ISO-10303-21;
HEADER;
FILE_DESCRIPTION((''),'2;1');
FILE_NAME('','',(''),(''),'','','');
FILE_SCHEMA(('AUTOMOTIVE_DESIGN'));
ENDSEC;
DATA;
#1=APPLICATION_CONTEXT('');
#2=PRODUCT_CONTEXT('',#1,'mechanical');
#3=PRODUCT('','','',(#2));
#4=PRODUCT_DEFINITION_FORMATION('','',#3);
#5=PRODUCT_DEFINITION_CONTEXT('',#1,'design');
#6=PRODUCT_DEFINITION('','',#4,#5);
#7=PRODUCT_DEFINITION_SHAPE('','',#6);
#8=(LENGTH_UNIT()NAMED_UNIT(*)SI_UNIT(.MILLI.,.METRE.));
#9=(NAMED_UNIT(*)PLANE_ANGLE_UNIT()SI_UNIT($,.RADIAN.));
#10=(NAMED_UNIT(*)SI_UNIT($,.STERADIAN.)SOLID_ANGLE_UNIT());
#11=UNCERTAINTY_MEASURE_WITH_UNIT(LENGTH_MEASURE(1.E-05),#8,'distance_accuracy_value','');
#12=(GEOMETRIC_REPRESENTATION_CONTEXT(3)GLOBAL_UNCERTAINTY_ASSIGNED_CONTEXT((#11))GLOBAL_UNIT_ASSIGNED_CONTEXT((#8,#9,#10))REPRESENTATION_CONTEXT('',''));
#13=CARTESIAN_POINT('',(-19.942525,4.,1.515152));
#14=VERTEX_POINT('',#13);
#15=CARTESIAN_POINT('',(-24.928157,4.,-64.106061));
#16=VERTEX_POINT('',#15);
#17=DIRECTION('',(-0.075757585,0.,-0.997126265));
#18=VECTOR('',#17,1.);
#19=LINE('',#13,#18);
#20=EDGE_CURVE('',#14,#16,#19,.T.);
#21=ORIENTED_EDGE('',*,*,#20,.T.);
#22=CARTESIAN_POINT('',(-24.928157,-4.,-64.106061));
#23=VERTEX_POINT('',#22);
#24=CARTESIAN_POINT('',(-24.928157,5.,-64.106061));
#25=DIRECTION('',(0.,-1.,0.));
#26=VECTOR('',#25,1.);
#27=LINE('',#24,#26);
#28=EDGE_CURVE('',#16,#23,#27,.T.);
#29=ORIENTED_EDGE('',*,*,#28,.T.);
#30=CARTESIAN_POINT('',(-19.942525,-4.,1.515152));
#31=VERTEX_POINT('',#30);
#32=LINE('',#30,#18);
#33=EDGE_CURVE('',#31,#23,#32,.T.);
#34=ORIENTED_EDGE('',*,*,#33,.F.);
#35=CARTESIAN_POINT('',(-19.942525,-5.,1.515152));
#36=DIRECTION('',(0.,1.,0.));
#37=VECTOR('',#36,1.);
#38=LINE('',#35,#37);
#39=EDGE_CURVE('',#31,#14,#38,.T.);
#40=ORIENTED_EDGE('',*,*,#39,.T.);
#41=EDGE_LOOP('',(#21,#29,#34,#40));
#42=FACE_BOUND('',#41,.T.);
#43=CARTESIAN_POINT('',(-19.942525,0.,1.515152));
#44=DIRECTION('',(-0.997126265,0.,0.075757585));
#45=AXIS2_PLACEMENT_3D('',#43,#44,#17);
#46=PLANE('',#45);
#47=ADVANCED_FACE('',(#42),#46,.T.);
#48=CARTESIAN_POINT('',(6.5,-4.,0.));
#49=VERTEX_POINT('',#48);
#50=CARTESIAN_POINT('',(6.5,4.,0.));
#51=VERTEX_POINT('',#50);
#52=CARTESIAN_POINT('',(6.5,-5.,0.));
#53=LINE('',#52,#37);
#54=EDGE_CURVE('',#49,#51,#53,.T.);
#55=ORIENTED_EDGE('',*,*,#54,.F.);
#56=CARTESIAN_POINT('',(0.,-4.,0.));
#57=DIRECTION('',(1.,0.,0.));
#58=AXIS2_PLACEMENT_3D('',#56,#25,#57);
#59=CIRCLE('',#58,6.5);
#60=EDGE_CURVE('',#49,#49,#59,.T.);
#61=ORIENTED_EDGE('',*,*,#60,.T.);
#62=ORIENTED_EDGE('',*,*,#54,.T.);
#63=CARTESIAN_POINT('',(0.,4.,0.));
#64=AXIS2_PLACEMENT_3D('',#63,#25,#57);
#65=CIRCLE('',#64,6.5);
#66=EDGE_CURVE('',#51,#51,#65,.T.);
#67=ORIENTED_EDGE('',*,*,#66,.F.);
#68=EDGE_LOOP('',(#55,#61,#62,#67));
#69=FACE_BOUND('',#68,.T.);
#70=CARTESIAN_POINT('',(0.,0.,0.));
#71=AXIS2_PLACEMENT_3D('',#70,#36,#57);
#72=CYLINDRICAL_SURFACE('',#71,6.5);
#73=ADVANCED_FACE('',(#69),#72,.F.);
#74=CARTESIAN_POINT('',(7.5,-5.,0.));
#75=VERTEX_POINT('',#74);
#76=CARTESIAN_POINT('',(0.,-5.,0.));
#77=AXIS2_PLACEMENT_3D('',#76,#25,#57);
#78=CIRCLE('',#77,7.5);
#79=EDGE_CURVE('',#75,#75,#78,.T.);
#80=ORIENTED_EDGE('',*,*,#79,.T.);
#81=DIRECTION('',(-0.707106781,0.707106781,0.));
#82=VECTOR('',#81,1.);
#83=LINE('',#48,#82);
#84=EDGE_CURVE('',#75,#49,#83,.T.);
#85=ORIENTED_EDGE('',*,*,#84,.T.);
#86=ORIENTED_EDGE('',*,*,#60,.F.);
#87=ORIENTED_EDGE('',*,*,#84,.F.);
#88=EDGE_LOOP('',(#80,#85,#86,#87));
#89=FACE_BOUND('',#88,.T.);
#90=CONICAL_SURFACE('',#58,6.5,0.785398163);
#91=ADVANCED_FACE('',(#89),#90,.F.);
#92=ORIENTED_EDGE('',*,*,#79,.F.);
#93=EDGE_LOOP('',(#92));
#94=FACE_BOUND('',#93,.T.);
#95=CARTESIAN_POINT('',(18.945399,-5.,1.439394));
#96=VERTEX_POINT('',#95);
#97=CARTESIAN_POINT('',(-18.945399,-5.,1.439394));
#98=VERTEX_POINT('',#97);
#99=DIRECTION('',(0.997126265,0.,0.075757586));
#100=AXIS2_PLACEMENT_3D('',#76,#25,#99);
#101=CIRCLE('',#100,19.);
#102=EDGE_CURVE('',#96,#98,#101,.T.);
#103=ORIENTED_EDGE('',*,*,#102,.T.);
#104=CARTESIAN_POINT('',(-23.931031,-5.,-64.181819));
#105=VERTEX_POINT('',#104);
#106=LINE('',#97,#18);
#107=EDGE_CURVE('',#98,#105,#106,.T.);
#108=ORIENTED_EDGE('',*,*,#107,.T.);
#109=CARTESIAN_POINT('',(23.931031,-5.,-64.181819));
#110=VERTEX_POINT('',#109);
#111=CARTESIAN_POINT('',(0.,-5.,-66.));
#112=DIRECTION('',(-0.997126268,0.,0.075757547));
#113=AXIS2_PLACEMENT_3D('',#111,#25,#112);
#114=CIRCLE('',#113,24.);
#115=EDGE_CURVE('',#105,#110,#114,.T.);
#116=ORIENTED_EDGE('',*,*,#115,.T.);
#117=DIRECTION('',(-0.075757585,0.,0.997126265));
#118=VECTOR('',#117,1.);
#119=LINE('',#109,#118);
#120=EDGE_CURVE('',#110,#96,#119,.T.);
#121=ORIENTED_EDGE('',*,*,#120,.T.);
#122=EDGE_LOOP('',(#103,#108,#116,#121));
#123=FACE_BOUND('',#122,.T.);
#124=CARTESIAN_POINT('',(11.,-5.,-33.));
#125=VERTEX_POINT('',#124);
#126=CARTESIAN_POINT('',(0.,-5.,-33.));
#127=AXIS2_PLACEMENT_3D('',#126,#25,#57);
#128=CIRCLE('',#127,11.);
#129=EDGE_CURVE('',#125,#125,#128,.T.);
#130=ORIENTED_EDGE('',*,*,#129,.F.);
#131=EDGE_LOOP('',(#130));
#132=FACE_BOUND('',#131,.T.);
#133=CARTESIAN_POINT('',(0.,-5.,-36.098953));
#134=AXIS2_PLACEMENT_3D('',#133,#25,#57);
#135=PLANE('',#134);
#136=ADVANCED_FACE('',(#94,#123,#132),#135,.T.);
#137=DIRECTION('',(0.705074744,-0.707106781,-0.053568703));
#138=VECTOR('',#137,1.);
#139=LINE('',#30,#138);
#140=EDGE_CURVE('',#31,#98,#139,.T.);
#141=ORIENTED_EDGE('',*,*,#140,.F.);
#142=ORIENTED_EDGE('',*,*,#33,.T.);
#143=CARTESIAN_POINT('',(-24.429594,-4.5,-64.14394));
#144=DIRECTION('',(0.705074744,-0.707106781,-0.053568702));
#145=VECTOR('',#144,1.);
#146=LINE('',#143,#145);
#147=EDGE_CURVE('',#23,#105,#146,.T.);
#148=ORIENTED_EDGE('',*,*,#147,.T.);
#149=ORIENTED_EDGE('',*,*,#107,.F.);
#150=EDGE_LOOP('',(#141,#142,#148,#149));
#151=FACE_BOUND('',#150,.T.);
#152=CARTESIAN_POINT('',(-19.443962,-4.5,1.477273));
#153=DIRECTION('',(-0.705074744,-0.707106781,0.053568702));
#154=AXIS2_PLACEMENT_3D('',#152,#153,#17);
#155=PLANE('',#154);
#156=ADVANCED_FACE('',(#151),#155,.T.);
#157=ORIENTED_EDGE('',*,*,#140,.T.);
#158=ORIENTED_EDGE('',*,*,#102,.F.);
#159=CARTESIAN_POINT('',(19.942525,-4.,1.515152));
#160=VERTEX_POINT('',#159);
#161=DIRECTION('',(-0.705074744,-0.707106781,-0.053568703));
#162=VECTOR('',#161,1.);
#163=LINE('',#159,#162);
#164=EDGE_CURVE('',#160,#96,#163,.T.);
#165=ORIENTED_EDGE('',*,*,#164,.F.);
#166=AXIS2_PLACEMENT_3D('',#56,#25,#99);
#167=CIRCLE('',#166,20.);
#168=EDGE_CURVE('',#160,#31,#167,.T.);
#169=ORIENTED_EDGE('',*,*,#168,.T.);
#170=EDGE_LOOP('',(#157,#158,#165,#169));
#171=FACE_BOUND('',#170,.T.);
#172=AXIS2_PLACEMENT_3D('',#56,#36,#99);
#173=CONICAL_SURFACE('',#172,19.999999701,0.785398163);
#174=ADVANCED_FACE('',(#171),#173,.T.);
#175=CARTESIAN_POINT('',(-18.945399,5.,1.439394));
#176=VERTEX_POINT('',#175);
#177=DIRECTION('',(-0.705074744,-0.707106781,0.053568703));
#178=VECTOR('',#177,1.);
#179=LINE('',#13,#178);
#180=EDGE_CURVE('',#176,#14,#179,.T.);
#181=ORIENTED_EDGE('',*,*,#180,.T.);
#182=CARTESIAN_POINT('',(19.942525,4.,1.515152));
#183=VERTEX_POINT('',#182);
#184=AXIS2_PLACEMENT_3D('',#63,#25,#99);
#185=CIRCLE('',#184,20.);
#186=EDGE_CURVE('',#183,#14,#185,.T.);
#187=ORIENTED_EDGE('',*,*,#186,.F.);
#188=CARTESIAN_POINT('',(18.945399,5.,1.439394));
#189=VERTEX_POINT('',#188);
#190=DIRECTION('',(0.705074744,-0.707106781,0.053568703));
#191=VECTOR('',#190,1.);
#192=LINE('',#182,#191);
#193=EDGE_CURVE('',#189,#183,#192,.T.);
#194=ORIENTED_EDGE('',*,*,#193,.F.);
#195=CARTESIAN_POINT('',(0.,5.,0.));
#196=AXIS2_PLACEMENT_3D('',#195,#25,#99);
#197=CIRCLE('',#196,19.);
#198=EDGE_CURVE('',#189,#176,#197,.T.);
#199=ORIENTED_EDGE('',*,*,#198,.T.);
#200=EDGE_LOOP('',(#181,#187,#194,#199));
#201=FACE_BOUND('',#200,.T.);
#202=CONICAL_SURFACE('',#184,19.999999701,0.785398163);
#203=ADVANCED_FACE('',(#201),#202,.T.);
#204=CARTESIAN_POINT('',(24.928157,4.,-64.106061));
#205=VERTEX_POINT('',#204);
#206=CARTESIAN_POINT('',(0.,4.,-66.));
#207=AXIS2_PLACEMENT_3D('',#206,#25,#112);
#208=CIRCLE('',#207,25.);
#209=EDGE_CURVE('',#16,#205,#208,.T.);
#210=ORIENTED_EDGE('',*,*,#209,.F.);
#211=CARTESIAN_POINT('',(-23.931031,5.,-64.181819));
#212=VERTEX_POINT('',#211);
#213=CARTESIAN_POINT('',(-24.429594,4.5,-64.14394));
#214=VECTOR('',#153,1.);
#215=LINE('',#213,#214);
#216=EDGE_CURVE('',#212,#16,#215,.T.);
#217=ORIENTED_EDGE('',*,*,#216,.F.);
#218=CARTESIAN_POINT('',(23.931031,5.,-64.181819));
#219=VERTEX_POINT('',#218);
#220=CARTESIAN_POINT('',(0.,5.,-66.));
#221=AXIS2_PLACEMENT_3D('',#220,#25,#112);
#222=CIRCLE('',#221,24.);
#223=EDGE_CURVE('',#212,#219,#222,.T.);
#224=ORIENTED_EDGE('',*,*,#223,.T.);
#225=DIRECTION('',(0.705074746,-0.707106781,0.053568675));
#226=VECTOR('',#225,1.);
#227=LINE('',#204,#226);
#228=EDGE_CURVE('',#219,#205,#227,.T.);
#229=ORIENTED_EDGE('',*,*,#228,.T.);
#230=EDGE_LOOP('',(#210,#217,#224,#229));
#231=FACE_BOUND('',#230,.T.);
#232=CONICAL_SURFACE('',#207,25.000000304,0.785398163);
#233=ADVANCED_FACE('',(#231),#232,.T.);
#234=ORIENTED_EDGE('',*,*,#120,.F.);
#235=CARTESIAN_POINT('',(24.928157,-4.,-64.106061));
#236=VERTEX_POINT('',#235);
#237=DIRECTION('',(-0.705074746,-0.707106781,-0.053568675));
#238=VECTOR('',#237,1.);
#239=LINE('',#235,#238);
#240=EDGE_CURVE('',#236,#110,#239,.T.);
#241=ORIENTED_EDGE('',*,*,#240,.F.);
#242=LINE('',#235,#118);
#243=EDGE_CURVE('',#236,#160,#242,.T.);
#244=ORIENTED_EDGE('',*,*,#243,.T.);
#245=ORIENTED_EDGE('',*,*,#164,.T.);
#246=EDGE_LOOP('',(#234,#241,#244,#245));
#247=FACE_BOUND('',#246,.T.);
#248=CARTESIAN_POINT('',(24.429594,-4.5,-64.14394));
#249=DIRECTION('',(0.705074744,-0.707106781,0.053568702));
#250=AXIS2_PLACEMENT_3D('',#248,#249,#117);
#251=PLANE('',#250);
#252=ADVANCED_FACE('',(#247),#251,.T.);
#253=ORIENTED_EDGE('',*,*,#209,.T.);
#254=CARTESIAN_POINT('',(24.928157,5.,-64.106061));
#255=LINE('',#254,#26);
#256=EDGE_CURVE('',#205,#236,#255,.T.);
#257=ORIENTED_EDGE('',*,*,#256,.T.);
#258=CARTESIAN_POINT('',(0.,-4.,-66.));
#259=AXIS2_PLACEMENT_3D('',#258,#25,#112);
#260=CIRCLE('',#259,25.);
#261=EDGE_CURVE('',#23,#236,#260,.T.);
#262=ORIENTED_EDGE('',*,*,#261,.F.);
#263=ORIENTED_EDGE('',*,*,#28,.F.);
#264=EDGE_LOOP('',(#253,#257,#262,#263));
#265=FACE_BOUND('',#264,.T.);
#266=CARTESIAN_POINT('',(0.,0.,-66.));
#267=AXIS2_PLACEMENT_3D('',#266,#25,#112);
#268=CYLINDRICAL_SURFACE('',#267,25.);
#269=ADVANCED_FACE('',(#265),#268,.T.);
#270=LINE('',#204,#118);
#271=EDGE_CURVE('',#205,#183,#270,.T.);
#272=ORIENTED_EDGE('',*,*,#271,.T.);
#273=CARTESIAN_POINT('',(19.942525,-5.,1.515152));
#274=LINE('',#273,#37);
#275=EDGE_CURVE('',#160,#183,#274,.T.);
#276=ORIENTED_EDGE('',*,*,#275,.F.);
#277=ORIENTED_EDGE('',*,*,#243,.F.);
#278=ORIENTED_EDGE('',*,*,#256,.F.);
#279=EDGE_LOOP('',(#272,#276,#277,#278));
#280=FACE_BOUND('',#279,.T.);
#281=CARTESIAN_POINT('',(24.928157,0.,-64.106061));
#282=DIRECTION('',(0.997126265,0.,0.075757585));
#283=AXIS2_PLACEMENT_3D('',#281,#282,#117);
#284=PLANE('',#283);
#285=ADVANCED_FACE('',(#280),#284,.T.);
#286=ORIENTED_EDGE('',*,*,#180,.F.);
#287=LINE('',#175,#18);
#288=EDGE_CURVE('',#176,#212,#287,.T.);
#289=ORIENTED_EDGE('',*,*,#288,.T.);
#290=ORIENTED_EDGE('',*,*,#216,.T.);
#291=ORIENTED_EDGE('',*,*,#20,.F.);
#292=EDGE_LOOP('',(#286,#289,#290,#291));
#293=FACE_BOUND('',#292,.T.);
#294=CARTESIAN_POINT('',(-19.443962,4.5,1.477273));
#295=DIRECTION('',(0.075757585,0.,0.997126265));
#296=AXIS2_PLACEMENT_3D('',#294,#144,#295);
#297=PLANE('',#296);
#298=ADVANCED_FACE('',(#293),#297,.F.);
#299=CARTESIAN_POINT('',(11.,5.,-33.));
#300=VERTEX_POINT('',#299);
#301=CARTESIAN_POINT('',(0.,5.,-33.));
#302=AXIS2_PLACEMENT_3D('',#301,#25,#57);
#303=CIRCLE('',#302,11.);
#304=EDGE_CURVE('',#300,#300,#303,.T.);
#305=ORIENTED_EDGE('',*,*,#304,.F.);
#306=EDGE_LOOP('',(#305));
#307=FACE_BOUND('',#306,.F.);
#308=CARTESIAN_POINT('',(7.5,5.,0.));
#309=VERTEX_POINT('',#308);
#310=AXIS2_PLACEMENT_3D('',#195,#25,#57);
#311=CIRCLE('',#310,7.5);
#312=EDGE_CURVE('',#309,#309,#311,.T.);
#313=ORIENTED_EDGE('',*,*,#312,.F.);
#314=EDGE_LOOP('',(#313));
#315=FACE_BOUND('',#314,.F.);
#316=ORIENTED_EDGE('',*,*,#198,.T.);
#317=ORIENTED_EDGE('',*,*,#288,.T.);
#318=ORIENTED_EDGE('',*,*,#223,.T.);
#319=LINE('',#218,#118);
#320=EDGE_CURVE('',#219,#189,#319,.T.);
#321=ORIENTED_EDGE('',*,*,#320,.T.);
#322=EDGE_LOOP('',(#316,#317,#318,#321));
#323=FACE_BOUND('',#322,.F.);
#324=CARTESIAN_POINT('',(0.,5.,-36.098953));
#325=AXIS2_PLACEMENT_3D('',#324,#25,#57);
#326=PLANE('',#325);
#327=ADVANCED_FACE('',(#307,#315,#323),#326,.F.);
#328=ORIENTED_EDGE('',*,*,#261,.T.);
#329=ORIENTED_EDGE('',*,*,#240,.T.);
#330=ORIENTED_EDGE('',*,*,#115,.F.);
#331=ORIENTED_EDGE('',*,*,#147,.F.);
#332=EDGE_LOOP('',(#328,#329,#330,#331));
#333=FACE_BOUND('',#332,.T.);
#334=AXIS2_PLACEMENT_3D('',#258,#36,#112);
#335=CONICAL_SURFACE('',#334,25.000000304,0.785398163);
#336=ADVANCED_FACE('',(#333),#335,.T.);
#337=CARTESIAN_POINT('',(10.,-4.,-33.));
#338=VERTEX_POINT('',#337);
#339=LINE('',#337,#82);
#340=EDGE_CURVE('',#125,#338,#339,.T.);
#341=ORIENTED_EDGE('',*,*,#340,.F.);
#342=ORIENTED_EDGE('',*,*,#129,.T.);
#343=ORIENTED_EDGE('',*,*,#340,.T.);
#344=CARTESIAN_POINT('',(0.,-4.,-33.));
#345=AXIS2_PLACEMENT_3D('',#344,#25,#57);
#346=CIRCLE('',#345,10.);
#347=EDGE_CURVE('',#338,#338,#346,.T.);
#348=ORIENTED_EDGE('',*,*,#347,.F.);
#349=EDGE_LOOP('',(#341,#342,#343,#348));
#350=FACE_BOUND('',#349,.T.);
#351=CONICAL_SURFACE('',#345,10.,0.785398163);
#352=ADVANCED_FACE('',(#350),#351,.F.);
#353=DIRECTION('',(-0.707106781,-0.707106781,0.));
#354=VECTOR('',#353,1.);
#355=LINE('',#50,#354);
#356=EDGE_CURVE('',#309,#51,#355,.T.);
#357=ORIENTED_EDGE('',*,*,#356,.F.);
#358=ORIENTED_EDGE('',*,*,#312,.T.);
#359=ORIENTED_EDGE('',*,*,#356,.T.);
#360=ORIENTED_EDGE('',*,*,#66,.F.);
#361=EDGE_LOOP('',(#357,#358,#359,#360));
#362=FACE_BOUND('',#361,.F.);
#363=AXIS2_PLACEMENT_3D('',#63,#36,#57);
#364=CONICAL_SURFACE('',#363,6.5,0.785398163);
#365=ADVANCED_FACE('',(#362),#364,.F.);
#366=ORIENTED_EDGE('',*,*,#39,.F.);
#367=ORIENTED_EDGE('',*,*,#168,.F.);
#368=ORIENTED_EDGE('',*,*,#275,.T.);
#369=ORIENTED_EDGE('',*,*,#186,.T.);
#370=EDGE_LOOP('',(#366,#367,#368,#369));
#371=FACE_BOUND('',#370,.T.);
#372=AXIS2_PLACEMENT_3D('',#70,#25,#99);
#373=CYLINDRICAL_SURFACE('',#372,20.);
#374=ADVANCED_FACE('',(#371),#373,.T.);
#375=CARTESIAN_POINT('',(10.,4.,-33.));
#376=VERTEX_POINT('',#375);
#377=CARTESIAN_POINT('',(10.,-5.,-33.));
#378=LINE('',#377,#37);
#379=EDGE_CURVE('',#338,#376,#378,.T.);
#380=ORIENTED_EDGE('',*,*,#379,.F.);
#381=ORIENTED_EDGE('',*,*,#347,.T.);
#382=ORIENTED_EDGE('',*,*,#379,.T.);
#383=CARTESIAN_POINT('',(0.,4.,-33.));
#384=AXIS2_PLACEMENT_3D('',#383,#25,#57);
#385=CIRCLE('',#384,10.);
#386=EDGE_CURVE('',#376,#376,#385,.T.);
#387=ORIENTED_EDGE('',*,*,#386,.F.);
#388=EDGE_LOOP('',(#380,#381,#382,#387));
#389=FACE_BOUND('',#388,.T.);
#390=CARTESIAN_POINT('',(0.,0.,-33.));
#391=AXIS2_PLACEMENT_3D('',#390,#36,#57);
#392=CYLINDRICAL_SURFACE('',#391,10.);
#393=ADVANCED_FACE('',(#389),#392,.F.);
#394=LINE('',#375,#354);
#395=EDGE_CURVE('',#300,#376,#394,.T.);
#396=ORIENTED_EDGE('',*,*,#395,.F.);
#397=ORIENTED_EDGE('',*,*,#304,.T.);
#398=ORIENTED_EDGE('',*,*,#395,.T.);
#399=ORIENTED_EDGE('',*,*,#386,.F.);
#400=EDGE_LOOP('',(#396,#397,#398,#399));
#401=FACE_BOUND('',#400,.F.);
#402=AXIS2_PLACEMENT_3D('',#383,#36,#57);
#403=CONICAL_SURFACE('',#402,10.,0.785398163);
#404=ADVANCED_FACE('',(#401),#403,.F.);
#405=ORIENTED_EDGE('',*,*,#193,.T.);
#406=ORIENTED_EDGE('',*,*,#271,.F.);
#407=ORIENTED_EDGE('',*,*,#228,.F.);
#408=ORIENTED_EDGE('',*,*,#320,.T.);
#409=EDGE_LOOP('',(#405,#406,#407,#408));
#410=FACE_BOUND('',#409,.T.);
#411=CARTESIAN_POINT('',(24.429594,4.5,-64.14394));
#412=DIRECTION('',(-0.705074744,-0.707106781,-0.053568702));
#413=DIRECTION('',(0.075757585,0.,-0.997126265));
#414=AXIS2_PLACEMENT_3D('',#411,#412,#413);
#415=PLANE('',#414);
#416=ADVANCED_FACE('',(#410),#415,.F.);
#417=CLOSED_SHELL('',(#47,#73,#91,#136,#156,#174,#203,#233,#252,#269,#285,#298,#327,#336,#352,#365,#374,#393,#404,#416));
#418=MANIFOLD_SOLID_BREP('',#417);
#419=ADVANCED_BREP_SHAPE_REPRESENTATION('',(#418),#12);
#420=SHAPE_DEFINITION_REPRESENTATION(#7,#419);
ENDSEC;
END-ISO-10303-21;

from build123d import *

# Parameters (mm, degrees)
F0_R     = 10
F0_R_2   = 6.5
F1_DEPTH = 5
F2_SIZE2 = 1
F2_SIZE  = 1
F3_SIZE2 = 1
F3_SIZE  = 1


with BuildPart() as f1:
    # F0 (on Front) → F1 (new body, symmetric)
    with BuildSketch(Plane.XZ):
        with BuildLine():
            Line((-19.942525, 1.515152), (-24.928157, -64.106061))
            ThreePointArc((-24.928157, -64.106061), (0, -91), (24.928157, -64.106061))
            Line((24.928157, -64.106061), (19.942525, 1.515152))
            ThreePointArc((19.942525, 1.515152), (0, 20), (-19.942525, 1.515152))
        make_face()
        with Locations((0, -33)):
            Circle(F0_R, mode=Mode.SUBTRACT)
        Circle(F0_R_2, mode=Mode.SUBTRACT)
    extrude(amount=F1_DEPTH, both=True)

    # F2
    f2_edges = [f1.edges().sort_by_distance(p)[0] for p in [
        (0, -5, 20),
        (-22.435341, -5, -31.295455),
        (0, -5, -91),
        (22.435341, -5, -31.295455),
        (-10, -5, -33),
        (-6.5, -5, 0),
    ]]
    chamfer(f2_edges, length=F2_SIZE, length2=F2_SIZE2)

    # F3
    f3_edges = [f1.edges().sort_by_distance(p)[0] for p in [
        (0, 5, 20),
        (-22.435341, 5, -31.295455),
        (0, 5, -91),
        (22.435341, 5, -31.295455),
        (-10, 5, -33),
        (-6.5, 5, 0),
    ]]
    chamfer(f3_edges, length=F3_SIZE, length2=F3_SIZE2)


solid = f1.part
